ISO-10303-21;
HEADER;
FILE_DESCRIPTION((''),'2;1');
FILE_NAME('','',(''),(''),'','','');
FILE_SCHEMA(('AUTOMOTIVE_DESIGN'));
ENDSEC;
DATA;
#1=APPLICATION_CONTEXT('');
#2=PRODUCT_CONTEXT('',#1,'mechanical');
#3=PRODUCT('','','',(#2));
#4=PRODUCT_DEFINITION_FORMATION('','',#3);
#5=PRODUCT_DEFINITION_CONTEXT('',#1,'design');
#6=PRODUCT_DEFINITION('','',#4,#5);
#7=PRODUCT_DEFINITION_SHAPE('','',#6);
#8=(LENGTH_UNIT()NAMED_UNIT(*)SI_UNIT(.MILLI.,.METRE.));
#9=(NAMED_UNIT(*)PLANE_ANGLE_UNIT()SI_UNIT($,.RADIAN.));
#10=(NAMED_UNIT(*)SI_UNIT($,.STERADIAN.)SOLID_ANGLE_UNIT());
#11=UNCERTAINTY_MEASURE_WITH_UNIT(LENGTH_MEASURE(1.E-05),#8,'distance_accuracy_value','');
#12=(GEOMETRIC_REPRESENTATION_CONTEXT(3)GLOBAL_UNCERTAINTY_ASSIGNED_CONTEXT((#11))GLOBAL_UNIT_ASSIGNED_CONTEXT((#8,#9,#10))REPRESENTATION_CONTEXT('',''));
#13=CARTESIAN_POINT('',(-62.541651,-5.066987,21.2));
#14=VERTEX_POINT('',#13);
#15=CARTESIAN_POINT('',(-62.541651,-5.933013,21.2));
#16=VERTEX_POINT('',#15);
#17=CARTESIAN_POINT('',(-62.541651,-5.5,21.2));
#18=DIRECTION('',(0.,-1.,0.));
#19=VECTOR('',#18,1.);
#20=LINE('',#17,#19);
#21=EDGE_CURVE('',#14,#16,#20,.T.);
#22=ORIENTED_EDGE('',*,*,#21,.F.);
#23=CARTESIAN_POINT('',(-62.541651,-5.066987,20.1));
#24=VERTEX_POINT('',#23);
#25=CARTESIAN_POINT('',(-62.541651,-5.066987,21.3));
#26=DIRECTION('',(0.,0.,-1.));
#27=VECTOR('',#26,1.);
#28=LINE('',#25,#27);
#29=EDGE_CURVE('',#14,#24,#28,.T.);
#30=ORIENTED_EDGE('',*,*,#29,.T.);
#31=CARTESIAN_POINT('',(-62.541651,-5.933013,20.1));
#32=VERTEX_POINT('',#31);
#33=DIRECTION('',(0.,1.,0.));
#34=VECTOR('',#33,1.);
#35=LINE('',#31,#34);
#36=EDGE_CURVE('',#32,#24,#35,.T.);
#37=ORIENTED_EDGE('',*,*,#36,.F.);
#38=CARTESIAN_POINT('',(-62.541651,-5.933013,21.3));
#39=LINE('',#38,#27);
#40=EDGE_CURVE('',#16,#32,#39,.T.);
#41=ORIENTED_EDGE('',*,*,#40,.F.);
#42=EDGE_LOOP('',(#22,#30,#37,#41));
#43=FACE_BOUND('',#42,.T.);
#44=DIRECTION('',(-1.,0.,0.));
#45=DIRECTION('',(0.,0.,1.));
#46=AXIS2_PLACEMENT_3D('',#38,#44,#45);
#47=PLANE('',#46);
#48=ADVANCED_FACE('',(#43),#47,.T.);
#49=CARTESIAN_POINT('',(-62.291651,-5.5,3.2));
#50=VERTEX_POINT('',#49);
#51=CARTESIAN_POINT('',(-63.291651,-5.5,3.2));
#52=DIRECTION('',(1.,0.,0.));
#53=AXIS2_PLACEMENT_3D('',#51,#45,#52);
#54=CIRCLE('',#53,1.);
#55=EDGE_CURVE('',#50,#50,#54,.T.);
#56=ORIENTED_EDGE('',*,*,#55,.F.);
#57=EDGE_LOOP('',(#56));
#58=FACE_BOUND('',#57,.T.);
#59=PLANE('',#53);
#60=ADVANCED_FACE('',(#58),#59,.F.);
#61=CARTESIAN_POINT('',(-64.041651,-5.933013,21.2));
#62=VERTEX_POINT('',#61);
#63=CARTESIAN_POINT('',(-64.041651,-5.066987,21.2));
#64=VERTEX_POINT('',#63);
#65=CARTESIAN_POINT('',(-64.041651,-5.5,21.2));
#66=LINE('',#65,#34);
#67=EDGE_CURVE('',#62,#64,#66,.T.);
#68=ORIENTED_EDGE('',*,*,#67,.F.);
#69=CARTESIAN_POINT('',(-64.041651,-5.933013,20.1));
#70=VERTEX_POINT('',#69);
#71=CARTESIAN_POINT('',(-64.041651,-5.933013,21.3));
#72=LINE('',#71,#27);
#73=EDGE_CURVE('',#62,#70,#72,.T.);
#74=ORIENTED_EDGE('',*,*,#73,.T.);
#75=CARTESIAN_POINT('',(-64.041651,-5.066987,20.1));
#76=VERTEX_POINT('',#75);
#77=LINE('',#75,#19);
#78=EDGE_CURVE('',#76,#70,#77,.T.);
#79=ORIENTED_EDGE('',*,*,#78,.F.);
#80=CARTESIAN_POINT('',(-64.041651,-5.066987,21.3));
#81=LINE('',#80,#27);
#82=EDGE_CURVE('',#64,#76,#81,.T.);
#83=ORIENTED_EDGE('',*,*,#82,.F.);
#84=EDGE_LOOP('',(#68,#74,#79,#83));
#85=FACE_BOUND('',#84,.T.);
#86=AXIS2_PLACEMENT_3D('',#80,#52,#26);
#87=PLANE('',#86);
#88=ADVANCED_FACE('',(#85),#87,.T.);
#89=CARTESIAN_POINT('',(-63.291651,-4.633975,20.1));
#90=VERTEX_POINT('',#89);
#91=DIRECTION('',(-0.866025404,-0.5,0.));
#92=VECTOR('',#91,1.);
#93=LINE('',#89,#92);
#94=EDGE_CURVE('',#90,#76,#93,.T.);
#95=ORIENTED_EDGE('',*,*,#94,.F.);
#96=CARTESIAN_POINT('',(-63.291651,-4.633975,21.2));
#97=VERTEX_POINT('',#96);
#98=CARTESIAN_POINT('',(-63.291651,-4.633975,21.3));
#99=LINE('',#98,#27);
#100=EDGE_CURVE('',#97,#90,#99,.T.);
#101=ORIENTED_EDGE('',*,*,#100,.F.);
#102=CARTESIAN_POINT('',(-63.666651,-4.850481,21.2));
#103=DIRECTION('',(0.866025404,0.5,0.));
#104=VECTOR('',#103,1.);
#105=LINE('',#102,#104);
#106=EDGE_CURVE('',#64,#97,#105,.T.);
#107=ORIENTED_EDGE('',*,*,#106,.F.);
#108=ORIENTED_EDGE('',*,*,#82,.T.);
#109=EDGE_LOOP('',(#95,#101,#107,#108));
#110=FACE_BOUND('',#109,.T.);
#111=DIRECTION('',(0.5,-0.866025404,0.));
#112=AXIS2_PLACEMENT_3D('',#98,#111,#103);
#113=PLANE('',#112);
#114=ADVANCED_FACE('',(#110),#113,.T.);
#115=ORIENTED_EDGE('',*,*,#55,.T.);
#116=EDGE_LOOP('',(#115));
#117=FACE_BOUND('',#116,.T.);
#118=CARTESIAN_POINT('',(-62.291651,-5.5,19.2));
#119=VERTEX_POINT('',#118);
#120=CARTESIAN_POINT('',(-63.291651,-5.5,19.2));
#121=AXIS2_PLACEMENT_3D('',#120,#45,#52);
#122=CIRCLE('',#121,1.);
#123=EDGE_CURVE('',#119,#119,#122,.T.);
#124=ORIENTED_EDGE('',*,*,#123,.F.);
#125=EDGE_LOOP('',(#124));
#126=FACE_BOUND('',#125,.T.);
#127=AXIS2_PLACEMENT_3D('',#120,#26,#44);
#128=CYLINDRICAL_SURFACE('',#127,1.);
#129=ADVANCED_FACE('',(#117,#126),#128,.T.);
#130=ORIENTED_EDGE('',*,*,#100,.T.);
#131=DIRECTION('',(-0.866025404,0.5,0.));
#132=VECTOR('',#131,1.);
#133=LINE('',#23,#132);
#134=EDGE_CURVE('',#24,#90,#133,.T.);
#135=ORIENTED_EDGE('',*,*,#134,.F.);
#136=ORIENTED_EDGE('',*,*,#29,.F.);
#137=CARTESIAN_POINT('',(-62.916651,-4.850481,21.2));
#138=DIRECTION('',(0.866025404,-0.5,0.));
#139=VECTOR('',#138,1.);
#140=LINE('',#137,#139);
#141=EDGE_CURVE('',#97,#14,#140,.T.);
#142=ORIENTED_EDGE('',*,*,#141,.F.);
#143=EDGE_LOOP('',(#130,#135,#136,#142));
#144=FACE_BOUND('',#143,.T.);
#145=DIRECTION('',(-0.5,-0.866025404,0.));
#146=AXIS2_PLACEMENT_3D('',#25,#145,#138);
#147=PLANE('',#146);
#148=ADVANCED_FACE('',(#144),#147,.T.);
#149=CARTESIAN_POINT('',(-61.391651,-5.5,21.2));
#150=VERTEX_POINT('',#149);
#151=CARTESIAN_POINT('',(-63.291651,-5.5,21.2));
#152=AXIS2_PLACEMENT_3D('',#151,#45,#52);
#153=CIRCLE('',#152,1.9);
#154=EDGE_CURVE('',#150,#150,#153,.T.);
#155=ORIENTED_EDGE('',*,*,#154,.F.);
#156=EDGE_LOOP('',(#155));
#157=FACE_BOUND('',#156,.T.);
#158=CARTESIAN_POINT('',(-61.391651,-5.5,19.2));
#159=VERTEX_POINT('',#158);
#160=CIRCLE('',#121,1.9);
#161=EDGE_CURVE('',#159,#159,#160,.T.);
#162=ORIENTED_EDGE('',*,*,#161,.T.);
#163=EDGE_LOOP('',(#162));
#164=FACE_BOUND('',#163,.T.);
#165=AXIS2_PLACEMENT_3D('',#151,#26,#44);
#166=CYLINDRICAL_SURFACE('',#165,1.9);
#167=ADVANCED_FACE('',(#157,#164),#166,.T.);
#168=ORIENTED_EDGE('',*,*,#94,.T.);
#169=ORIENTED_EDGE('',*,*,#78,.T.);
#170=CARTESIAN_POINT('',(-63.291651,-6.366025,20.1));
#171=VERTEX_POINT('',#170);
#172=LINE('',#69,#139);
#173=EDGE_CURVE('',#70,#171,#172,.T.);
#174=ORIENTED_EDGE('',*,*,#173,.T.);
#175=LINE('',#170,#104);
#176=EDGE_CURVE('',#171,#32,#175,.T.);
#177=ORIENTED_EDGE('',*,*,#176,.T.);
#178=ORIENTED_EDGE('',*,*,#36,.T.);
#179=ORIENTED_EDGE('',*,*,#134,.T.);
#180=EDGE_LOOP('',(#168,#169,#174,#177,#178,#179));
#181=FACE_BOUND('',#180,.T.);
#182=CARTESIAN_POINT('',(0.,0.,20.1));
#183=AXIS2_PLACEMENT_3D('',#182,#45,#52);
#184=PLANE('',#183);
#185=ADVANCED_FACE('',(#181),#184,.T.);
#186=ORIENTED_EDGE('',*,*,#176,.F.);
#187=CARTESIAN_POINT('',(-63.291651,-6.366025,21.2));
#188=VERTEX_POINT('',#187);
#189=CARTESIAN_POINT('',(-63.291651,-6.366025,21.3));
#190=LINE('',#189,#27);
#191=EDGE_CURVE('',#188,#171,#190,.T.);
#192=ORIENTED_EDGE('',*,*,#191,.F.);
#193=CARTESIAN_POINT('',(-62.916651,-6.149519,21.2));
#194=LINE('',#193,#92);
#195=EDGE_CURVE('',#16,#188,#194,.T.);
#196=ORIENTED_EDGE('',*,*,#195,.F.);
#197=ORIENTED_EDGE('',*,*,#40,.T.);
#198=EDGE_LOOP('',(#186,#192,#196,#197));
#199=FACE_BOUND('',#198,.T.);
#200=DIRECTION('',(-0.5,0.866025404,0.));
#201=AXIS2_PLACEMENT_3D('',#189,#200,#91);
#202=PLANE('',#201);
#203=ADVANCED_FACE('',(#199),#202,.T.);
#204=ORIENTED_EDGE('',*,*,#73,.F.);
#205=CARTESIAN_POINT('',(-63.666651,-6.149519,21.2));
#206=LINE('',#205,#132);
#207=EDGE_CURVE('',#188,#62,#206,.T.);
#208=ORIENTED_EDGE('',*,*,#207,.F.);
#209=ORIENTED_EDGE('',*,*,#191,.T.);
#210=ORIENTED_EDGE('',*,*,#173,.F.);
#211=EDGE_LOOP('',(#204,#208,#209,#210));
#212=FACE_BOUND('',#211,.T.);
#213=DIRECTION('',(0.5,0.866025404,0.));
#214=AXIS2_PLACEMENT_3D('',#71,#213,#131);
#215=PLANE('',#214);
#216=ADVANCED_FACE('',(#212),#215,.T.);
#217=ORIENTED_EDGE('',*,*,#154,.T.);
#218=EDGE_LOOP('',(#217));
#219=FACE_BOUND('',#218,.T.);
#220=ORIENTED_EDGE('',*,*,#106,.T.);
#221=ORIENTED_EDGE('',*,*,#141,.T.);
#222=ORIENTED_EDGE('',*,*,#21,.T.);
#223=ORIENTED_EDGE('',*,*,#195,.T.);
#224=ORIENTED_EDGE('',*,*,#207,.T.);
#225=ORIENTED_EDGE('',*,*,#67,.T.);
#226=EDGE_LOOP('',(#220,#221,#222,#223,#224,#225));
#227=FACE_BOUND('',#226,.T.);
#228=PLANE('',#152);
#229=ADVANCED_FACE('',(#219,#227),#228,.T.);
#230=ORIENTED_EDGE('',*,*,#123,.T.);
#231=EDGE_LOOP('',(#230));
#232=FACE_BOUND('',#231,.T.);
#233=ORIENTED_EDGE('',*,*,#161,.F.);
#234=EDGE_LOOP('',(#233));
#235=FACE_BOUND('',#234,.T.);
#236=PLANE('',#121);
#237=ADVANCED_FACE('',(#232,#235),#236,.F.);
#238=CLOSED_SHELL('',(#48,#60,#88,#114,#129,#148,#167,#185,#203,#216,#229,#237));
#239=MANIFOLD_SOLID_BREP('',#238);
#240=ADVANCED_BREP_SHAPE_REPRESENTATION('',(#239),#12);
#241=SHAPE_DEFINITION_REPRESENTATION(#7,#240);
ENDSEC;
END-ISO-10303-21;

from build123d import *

# Parameters (mm, degrees)
M2_SCREW_SHANK_PROFILE_R  = 1
M2_SCREW_SHANK_DEPTH      = 16
SOCKET_CAP_HEAD_PROFILE_R = 1.9
SOCKET_CAP_HEAD_DEPTH     = 2
CUT_HEX_KEY_RECESS_DEPTH  = 1.2


with BuildPart() as part:
    # M2 screw shank profile → M2 screw shank (new body)
    with BuildSketch(Plane.XY.offset(3.2)):
        with Locations((-63.291651246, -5.5)):
            Circle(M2_SCREW_SHANK_PROFILE_R)
    extrude(amount=M2_SCREW_SHANK_DEPTH)

    # Socket cap head profile → Socket cap head (add)
    with BuildSketch(Plane.XY.offset(19.2)):
        with Locations((-63.291651246, -5.5)):
            Circle(SOCKET_CAP_HEAD_PROFILE_R)
    extrude(amount=SOCKET_CAP_HEAD_DEPTH)

    # Hex key socket → Cut hex key recess (cut)
    with BuildSketch(Plane.XY.offset(20.1)):
        Polygon((-62.541651246, -5.066987298), (-63.291651246, -4.633974596), (-64.041651246, -5.066987298), (-64.041651246, -5.933012702), (-63.291651246, -6.366025404), (-62.541651246, -5.933012702), align=None)
    extrude(amount=CUT_HEX_KEY_RECESS_DEPTH, mode=Mode.SUBTRACT)


solid = part.part
